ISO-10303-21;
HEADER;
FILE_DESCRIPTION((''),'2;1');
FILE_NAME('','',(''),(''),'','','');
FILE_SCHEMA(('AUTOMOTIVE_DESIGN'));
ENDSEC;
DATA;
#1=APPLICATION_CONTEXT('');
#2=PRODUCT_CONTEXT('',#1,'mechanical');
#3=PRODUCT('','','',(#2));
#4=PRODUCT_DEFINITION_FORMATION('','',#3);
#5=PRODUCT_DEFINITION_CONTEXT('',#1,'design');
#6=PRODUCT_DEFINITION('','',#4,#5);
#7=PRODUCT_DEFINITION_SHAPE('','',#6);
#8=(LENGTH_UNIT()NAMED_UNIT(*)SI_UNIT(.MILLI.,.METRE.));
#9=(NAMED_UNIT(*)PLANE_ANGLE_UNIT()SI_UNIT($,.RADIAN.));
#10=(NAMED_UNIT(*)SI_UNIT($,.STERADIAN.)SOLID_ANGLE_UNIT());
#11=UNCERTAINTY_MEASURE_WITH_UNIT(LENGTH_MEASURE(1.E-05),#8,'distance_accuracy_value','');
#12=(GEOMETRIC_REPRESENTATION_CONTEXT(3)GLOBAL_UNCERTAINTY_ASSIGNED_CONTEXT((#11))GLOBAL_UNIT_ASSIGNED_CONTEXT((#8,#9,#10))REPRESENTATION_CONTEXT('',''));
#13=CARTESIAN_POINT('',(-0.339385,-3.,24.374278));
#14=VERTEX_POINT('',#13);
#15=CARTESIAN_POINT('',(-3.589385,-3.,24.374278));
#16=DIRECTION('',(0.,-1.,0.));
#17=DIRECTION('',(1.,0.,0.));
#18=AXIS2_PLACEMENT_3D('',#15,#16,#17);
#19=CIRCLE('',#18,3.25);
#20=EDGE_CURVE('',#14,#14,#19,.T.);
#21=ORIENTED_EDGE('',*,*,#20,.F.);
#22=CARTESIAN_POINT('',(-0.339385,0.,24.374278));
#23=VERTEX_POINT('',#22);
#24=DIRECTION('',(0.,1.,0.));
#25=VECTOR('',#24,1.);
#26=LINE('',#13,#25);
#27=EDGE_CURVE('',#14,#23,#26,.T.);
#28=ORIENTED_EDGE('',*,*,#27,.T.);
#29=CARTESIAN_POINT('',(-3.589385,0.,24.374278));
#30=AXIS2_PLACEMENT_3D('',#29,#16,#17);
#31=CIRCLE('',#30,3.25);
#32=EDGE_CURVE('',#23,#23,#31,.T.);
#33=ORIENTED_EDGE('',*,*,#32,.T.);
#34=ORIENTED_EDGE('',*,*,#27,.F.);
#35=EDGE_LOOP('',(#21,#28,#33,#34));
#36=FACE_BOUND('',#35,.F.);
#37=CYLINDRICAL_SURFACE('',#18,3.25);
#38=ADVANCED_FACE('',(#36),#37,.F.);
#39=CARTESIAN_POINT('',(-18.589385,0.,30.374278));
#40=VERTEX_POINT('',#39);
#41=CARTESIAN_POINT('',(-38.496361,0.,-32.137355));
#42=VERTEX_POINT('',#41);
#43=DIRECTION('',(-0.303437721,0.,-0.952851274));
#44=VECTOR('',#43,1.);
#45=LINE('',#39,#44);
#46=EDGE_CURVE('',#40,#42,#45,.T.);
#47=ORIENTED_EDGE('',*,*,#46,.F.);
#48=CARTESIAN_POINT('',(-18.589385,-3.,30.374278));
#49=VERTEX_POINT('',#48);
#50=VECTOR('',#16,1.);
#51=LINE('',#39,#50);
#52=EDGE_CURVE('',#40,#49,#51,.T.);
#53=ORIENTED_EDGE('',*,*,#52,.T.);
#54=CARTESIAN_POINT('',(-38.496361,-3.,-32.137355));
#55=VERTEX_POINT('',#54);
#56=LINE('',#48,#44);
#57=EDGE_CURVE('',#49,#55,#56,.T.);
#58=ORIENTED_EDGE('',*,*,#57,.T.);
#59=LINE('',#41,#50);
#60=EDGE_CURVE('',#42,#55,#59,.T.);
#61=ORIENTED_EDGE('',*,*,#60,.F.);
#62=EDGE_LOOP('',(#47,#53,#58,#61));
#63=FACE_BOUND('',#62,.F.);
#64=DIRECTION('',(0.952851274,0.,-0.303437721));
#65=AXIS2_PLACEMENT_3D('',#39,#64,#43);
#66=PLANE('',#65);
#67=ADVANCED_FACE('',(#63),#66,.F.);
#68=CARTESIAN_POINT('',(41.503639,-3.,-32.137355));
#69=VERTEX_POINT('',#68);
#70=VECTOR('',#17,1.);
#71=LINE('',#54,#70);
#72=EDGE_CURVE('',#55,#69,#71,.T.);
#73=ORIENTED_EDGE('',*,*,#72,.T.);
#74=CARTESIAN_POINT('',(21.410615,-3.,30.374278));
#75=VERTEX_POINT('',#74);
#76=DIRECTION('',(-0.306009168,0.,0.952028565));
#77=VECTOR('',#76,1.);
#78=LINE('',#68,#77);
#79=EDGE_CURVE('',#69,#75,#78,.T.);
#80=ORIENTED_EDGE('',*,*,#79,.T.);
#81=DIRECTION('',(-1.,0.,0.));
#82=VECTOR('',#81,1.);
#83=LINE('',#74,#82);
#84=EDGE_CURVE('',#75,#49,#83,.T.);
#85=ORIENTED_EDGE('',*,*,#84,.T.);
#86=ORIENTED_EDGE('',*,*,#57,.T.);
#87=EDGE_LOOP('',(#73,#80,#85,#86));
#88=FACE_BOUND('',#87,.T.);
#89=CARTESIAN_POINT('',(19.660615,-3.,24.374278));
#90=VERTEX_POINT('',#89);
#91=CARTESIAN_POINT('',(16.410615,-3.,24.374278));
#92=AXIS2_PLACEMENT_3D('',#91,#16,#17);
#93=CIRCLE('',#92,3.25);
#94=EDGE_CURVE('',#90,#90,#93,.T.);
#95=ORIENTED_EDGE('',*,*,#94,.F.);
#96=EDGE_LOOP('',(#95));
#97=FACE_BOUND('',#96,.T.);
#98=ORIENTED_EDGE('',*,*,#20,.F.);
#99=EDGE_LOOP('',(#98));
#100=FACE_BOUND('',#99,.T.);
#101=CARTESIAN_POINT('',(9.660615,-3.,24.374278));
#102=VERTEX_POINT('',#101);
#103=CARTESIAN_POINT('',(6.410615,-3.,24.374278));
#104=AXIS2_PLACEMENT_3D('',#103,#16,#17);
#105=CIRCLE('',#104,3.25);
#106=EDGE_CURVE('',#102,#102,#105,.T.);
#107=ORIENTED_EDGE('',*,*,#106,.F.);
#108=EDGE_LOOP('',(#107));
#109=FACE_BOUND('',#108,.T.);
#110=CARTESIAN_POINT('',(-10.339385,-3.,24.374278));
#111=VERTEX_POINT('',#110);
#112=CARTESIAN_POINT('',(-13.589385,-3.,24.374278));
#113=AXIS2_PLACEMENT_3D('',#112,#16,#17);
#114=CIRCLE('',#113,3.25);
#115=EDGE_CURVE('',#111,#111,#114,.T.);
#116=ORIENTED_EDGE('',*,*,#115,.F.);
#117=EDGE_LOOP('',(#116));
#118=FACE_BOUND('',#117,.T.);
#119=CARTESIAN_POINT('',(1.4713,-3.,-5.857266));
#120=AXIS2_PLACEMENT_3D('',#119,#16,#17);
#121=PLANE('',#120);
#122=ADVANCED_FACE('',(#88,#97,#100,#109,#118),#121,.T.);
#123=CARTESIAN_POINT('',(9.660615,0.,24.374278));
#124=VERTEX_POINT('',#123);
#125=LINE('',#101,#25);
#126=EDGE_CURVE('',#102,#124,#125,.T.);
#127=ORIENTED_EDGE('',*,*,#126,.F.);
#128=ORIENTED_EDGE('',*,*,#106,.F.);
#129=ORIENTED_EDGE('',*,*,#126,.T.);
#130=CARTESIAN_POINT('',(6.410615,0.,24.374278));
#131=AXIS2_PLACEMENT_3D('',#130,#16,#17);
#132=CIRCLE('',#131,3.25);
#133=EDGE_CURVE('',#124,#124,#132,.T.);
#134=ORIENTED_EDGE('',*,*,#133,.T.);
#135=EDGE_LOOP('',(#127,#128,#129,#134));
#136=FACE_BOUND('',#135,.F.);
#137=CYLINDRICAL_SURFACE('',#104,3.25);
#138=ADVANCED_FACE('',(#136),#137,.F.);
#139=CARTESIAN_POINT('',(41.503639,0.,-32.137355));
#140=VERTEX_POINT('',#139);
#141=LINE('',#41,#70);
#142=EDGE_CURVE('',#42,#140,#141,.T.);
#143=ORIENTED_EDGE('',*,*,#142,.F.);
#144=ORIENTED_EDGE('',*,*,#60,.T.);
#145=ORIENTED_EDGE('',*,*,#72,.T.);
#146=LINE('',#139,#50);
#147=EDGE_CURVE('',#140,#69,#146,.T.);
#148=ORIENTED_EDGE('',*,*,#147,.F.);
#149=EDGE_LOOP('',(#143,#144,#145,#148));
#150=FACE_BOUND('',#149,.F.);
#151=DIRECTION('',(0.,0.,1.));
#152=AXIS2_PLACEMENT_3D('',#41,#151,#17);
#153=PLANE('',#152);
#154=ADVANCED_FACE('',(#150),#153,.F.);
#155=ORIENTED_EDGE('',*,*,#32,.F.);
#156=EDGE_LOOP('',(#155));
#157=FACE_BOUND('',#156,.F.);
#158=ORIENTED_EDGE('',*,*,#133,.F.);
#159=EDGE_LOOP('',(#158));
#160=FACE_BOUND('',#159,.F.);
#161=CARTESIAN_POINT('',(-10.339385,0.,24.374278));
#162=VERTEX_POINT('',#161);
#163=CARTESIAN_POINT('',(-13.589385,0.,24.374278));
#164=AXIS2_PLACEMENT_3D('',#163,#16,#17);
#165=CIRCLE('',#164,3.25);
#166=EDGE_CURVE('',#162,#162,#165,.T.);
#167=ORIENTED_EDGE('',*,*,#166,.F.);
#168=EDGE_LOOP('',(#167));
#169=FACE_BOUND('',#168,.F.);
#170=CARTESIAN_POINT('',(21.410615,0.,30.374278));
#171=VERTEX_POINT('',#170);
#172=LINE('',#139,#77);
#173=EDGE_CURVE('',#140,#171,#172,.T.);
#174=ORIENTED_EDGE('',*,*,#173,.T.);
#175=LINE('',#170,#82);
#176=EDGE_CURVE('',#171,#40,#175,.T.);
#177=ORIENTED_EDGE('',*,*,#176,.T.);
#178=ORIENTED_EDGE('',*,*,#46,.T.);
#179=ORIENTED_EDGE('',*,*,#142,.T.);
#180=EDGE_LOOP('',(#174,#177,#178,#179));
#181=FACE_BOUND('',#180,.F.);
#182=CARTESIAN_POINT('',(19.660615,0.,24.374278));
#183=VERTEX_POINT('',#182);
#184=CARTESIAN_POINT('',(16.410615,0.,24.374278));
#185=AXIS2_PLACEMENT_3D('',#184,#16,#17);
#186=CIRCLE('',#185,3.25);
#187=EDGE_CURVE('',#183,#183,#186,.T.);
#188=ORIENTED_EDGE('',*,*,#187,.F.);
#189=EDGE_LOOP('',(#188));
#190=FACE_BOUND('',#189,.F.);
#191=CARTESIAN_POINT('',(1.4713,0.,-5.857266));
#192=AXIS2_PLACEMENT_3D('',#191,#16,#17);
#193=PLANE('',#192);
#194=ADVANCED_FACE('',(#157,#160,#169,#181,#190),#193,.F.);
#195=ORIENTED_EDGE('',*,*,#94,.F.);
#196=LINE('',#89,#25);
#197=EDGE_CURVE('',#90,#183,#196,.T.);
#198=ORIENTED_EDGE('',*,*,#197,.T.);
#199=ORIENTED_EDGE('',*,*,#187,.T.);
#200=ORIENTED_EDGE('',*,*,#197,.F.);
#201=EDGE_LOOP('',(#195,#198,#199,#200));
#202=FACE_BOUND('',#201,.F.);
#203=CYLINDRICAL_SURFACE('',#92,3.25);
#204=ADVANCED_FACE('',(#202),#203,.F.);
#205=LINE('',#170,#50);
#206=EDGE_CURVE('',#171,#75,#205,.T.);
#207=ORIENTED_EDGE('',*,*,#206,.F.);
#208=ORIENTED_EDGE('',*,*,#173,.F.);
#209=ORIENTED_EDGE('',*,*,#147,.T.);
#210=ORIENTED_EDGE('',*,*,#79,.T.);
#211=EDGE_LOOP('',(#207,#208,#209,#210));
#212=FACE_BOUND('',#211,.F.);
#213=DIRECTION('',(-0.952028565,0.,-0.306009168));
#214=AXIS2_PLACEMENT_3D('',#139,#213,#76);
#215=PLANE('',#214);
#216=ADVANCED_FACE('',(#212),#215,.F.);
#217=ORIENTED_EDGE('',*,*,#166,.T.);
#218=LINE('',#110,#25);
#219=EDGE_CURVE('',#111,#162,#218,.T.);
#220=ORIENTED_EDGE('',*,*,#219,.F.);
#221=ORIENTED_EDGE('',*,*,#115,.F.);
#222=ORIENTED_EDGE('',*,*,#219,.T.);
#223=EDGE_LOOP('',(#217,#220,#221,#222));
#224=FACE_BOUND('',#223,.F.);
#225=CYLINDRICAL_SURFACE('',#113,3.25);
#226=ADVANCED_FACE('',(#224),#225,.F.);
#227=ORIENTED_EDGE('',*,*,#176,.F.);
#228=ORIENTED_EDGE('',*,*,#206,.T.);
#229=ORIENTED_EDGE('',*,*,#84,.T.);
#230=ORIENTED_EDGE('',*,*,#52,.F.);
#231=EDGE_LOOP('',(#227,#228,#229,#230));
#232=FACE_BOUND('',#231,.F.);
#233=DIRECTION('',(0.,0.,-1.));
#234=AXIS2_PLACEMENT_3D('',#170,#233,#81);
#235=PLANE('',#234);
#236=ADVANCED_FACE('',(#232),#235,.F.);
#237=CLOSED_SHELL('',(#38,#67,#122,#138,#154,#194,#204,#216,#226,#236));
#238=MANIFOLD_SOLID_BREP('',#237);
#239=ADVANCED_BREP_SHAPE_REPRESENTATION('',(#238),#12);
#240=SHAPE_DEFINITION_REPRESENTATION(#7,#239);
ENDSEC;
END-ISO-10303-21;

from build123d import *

# Parameters (mm, degrees)
F1_DEPTH = 3
F2_R     = 3.25
F3_DEPTH = 3.001


with BuildPart() as f1:
    # F0 (on Front) → F1 (new body)
    with BuildSketch(Plane.XZ):
        Polygon((21.410615, 30.374278), (-18.589385, 30.374278), (-38.496361, -32.137355), (41.503639, -32.137355), align=None)
    extrude(amount=F1_DEPTH)

    # F2 (on face) → F3 (cut, through all)
    with BuildSketch(Plane.XZ.offset(3)):
        with Locations((-13.589385, 24.374278)):
            Circle(F2_R)
        with Locations((-3.589385, 24.374278)):
            Circle(F2_R)
        with Locations((6.410615, 24.374278)):
            Circle(F2_R)
        with Locations((16.410615, 24.374278)):
            Circle(F2_R)
    extrude(amount=-F3_DEPTH, mode=Mode.SUBTRACT)


solid = f1.part
